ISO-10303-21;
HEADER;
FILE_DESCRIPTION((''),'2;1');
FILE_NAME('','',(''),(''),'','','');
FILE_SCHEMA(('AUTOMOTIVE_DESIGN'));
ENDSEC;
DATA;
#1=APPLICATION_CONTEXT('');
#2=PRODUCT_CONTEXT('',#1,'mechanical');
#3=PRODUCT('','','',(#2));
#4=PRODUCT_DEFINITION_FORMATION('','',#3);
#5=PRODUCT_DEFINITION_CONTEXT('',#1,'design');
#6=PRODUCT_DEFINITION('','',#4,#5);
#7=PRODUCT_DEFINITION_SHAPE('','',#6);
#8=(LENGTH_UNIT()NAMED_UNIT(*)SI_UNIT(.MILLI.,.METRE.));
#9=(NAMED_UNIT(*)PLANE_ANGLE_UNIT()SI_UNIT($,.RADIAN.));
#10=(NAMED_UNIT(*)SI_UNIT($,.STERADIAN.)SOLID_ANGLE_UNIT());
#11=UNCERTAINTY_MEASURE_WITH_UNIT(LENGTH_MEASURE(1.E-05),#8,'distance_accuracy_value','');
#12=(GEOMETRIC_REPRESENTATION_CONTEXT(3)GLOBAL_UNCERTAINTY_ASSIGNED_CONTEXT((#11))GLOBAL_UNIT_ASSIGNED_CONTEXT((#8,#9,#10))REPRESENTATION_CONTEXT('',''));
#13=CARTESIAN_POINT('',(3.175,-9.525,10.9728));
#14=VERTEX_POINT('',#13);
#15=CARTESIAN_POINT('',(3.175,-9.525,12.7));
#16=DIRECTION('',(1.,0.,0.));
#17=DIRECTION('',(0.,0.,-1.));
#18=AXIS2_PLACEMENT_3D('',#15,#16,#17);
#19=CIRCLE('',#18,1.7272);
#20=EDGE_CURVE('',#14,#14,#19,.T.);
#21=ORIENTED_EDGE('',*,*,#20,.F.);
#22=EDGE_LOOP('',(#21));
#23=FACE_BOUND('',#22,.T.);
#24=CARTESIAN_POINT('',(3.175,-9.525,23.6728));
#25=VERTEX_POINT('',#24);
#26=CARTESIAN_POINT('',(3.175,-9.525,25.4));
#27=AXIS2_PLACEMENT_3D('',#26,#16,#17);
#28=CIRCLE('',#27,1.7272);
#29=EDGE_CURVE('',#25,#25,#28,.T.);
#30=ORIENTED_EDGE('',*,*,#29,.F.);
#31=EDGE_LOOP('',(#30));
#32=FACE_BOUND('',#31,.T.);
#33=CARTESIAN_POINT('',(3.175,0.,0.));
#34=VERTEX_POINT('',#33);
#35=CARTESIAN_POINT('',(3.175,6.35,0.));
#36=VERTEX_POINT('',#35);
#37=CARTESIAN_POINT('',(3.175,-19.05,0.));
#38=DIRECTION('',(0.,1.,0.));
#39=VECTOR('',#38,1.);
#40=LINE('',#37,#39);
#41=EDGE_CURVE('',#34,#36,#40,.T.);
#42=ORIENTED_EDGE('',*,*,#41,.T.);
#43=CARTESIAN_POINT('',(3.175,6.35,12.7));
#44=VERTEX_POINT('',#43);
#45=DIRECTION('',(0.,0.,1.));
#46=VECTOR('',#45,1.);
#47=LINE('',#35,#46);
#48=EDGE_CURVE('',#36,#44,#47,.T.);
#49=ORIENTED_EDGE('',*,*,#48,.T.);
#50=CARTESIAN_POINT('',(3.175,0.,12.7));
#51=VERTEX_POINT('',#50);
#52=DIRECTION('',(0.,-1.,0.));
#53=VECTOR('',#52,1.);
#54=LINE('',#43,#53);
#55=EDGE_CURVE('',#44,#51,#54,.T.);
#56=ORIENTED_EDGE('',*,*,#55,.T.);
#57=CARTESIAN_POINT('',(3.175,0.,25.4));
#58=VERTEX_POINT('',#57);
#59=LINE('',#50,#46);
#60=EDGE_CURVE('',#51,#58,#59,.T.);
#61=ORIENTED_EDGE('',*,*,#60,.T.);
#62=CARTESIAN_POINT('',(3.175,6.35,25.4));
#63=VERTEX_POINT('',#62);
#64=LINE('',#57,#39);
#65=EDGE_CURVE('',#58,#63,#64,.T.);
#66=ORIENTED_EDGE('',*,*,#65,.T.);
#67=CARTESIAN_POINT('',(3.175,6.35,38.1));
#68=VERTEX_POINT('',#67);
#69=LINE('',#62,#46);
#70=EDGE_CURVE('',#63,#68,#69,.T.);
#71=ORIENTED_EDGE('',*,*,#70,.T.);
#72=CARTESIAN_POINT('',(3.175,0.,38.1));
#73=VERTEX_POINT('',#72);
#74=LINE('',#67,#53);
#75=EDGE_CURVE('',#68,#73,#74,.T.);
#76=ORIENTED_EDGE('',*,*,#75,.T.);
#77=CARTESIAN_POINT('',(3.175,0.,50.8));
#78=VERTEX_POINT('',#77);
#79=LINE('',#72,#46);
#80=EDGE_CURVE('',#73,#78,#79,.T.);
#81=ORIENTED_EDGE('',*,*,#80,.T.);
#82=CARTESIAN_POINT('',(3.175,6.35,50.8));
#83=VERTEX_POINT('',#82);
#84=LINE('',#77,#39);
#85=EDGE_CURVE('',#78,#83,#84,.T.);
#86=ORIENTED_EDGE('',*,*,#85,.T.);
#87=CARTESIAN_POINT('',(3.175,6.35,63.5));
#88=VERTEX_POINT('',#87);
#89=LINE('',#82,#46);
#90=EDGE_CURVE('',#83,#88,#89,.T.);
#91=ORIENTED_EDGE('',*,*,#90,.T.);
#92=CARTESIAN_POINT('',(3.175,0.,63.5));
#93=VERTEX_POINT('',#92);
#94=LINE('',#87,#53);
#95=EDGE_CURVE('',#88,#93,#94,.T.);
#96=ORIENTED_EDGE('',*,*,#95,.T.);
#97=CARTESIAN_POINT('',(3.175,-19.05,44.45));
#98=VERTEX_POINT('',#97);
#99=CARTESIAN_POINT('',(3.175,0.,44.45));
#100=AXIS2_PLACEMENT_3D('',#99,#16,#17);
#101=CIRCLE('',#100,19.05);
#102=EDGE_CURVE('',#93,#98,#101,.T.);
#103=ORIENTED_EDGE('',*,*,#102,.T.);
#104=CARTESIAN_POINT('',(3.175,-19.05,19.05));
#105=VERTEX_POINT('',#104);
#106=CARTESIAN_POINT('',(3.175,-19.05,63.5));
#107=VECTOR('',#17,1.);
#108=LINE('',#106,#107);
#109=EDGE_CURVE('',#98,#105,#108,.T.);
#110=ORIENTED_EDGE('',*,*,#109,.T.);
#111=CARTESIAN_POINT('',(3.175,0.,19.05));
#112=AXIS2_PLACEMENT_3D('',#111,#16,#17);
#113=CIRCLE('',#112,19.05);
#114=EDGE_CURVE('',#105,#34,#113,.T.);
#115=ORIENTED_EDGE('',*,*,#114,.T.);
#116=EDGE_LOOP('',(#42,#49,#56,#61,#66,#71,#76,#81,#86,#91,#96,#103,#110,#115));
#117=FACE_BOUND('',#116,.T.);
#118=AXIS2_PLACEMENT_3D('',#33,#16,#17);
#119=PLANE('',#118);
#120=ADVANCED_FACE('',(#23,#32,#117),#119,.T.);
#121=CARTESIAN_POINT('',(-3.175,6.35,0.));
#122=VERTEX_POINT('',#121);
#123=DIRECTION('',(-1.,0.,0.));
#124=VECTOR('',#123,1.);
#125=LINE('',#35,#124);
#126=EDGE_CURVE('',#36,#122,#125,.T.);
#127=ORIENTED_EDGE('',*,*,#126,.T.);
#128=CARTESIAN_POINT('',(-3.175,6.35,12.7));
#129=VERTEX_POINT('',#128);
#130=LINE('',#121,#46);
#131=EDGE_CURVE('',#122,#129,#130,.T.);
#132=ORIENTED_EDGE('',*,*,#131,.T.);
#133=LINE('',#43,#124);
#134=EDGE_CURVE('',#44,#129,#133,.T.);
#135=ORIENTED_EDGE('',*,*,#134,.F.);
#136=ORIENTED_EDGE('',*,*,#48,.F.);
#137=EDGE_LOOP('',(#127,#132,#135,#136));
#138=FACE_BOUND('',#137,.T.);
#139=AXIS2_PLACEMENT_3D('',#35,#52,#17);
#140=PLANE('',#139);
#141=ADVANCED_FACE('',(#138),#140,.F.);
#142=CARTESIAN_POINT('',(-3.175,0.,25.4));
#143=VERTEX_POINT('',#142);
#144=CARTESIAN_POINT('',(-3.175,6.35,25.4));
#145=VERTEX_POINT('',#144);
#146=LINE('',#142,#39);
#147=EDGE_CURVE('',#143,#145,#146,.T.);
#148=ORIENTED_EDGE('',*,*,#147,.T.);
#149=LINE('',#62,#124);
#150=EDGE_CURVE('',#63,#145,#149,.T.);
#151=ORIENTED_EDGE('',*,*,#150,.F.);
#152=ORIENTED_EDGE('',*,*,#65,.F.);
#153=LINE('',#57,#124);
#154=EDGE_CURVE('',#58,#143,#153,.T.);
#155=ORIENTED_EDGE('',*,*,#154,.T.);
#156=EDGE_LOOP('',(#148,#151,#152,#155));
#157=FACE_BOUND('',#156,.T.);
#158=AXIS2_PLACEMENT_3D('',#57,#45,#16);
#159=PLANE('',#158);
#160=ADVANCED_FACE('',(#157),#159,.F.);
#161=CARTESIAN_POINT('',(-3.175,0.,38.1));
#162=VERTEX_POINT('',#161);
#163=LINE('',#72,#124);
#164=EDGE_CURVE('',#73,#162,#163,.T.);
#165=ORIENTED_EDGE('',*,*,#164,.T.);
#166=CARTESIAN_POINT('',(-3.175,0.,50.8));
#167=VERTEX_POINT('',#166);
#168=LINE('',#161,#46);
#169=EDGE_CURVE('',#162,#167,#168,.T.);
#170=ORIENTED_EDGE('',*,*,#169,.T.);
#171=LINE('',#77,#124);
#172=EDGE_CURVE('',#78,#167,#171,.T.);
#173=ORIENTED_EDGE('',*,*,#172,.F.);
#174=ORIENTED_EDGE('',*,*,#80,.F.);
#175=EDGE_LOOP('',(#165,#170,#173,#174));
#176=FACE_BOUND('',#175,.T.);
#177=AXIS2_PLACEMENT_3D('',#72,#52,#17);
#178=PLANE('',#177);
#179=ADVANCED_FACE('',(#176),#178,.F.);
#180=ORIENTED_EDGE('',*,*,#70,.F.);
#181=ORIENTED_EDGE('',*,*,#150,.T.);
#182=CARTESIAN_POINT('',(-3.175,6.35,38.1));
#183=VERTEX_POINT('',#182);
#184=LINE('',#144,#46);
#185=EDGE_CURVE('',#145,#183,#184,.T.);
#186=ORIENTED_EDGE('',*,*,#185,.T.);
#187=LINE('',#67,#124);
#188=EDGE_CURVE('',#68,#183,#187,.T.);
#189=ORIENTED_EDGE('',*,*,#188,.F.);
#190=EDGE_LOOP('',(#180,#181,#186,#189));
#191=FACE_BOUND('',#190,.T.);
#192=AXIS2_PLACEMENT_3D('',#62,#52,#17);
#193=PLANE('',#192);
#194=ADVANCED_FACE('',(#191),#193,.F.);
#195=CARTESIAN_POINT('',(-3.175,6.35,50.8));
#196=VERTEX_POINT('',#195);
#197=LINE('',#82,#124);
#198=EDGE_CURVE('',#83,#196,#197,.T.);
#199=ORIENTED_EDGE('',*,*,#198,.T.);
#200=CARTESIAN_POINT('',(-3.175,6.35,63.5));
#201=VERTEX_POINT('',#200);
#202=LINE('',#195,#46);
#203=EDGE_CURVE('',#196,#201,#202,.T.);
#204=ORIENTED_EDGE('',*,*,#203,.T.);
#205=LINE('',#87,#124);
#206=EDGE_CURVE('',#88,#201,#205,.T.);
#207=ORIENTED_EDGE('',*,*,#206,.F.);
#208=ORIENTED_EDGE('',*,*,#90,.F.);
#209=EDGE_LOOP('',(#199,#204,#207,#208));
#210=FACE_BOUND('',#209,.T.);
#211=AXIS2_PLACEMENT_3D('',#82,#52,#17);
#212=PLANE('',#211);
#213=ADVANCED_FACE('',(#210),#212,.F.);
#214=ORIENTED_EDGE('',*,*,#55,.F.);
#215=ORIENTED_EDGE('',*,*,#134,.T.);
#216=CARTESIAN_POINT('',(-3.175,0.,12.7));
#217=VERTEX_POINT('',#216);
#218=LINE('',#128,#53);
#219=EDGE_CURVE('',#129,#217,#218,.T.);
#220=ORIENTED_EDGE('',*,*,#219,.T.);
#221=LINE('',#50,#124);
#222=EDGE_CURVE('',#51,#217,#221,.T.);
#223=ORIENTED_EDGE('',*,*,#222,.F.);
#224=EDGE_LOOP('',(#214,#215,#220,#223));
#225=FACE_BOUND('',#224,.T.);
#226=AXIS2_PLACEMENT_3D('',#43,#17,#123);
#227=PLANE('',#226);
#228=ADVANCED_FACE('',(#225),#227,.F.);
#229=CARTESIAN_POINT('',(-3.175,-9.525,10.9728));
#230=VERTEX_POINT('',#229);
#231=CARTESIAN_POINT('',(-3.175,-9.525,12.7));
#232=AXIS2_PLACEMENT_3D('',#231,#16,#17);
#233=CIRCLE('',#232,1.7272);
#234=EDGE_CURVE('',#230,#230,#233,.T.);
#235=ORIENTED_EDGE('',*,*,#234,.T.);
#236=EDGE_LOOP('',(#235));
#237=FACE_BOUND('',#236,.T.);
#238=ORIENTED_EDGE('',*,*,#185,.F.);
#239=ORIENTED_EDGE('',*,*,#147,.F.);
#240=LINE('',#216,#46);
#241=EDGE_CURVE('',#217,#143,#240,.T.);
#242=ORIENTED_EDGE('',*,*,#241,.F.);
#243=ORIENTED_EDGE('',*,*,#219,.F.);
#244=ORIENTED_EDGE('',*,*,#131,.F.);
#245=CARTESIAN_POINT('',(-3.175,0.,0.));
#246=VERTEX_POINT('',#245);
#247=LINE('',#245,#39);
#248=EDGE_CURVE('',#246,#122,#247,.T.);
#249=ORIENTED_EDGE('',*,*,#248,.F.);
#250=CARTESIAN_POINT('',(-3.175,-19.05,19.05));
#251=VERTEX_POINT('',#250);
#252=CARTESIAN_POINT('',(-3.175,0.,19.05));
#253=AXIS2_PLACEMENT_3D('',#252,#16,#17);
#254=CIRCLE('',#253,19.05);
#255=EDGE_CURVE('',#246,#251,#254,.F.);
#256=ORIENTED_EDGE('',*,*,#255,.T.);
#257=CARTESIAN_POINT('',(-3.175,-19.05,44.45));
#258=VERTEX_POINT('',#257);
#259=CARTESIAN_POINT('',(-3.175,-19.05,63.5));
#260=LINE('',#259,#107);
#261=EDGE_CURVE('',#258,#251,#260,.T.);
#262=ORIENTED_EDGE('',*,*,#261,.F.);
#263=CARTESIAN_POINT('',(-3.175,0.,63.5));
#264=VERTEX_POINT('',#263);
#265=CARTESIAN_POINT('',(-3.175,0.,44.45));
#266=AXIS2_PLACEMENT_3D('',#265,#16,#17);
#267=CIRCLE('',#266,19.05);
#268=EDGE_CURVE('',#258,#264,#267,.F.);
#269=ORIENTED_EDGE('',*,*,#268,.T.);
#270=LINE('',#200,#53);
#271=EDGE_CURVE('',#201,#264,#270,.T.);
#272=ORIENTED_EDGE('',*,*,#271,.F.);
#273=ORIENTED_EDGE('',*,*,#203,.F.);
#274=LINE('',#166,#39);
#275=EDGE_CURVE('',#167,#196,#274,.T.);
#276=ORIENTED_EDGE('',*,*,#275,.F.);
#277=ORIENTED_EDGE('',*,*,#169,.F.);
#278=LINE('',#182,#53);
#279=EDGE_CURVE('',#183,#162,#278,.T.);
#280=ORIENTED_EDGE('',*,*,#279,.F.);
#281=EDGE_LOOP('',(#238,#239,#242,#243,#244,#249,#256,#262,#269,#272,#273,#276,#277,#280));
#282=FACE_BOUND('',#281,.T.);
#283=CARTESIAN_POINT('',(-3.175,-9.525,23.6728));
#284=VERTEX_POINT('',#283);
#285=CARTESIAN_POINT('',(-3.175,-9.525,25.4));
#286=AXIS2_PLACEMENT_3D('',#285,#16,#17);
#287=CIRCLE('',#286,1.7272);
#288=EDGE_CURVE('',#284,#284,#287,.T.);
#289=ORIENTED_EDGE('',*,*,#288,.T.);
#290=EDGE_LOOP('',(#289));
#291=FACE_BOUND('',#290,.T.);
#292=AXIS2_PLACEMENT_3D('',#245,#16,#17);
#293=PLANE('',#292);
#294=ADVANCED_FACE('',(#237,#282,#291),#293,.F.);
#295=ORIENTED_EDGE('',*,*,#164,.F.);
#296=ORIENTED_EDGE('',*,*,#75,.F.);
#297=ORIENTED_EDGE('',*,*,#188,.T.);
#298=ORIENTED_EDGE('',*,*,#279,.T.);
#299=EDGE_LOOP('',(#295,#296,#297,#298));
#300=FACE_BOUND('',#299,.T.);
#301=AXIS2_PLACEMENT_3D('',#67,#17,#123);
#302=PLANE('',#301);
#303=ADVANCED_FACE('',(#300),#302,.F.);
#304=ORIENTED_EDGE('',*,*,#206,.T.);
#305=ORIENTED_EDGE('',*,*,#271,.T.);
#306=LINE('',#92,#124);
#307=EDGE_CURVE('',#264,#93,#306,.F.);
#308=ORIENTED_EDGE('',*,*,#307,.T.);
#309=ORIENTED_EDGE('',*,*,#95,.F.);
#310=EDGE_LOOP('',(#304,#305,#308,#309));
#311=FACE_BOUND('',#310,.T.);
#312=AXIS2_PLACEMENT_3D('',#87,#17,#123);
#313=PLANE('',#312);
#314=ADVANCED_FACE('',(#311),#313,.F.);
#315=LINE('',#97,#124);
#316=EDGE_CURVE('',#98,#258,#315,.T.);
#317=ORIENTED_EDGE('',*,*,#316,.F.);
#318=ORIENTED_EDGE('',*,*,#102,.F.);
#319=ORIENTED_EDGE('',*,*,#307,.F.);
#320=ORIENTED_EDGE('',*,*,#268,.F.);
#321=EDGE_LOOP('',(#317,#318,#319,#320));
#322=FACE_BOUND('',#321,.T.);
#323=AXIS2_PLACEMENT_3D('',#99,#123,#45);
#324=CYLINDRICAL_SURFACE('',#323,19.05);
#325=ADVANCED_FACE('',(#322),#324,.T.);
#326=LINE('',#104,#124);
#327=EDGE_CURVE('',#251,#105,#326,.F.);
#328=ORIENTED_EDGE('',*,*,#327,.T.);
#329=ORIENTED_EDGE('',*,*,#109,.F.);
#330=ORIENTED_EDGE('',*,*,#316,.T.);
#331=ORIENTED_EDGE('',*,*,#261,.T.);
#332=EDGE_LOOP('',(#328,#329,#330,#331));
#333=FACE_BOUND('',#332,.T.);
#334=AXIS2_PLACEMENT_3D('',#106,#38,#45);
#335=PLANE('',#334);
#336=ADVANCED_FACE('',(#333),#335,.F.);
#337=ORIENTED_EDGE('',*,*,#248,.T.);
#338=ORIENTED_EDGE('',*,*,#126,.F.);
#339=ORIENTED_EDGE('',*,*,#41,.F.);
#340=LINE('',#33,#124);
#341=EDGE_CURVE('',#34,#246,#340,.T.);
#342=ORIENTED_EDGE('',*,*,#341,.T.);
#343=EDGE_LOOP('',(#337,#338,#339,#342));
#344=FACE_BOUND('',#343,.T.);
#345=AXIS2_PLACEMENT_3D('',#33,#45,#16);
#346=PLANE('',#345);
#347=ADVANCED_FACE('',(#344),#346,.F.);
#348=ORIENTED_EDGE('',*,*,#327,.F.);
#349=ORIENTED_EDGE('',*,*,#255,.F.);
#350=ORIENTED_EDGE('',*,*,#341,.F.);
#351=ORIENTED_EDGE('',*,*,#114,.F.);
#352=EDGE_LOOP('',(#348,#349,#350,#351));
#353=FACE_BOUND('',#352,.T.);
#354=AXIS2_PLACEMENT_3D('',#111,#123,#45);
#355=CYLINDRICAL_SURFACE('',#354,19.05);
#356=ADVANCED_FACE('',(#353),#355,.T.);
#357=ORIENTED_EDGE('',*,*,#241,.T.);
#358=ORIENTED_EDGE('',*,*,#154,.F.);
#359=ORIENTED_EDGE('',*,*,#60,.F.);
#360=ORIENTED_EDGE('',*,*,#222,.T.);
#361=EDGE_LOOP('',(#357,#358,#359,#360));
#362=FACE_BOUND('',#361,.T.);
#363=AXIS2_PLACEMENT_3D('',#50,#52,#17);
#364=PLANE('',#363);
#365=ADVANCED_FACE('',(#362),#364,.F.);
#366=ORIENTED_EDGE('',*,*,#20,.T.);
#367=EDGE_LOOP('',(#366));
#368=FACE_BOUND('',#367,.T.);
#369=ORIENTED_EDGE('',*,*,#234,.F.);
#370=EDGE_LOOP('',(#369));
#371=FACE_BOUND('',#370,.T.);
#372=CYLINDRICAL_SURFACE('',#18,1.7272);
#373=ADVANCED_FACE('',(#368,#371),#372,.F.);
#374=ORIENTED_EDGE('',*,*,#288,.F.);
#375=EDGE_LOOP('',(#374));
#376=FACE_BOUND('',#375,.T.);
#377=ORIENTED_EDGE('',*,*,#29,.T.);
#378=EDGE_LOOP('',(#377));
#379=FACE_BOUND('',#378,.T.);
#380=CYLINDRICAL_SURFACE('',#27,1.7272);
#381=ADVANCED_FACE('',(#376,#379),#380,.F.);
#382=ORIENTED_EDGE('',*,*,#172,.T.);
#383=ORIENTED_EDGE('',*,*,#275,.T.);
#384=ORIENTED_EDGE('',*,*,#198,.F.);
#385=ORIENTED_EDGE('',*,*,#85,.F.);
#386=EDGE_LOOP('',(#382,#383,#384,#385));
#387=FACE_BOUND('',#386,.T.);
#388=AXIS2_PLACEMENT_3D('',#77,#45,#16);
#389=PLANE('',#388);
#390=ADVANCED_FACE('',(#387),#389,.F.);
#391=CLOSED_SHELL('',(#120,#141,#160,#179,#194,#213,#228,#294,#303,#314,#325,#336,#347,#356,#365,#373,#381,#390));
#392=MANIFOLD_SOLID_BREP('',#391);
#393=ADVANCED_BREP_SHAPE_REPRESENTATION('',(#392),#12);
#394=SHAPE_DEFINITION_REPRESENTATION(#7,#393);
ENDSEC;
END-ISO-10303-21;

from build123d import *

# Parameters (mm, degrees)
BOSS_EXTRUDE1_DEPTH   = 3.175
F_8_32_TAPPED_HOLE1_D = 3.4544
FILLET1_R             = 19.05


with BuildPart() as part:
    # Sketch1 → Boss-Extrude1 (new, symmetric)
    with BuildSketch(Plane(origin=(0, 0, 0), x_dir=(0, 0, -1), z_dir=(1, 0, 0))):
        Polygon((0, 0), (0, 6.35), (-12.7, 6.35), (-12.7, 0), (-25.4, 0), (-25.4, 6.35), (-38.1, 6.35), (-38.1, 0), (-50.8, 0), (-50.8, 6.35), (-63.5, 6.35), (-63.5, -19.05), (0, -19.05), align=None)
    extrude(amount=BOSS_EXTRUDE1_DEPTH, both=True)

    # #8-32 Tapped Hole1 (through all)
    with Locations(Plane(origin=(3.175, 0, 0), x_dir=(0, 0, -1), z_dir=(1, 0, 0))):
        with Locations((-12.7, -9.525), (-25.4, -9.525)):
            Hole(F_8_32_TAPPED_HOLE1_D / 2)

    # Fillet1
    fillet1_edges = [part.edges().sort_by_distance(p)[0] for p in [
        (0, -19.05, 0),
        (0, -19.05, 63.5),
    ]]
    fillet(fillet1_edges, radius=FILLET1_R)


solid = part.part
